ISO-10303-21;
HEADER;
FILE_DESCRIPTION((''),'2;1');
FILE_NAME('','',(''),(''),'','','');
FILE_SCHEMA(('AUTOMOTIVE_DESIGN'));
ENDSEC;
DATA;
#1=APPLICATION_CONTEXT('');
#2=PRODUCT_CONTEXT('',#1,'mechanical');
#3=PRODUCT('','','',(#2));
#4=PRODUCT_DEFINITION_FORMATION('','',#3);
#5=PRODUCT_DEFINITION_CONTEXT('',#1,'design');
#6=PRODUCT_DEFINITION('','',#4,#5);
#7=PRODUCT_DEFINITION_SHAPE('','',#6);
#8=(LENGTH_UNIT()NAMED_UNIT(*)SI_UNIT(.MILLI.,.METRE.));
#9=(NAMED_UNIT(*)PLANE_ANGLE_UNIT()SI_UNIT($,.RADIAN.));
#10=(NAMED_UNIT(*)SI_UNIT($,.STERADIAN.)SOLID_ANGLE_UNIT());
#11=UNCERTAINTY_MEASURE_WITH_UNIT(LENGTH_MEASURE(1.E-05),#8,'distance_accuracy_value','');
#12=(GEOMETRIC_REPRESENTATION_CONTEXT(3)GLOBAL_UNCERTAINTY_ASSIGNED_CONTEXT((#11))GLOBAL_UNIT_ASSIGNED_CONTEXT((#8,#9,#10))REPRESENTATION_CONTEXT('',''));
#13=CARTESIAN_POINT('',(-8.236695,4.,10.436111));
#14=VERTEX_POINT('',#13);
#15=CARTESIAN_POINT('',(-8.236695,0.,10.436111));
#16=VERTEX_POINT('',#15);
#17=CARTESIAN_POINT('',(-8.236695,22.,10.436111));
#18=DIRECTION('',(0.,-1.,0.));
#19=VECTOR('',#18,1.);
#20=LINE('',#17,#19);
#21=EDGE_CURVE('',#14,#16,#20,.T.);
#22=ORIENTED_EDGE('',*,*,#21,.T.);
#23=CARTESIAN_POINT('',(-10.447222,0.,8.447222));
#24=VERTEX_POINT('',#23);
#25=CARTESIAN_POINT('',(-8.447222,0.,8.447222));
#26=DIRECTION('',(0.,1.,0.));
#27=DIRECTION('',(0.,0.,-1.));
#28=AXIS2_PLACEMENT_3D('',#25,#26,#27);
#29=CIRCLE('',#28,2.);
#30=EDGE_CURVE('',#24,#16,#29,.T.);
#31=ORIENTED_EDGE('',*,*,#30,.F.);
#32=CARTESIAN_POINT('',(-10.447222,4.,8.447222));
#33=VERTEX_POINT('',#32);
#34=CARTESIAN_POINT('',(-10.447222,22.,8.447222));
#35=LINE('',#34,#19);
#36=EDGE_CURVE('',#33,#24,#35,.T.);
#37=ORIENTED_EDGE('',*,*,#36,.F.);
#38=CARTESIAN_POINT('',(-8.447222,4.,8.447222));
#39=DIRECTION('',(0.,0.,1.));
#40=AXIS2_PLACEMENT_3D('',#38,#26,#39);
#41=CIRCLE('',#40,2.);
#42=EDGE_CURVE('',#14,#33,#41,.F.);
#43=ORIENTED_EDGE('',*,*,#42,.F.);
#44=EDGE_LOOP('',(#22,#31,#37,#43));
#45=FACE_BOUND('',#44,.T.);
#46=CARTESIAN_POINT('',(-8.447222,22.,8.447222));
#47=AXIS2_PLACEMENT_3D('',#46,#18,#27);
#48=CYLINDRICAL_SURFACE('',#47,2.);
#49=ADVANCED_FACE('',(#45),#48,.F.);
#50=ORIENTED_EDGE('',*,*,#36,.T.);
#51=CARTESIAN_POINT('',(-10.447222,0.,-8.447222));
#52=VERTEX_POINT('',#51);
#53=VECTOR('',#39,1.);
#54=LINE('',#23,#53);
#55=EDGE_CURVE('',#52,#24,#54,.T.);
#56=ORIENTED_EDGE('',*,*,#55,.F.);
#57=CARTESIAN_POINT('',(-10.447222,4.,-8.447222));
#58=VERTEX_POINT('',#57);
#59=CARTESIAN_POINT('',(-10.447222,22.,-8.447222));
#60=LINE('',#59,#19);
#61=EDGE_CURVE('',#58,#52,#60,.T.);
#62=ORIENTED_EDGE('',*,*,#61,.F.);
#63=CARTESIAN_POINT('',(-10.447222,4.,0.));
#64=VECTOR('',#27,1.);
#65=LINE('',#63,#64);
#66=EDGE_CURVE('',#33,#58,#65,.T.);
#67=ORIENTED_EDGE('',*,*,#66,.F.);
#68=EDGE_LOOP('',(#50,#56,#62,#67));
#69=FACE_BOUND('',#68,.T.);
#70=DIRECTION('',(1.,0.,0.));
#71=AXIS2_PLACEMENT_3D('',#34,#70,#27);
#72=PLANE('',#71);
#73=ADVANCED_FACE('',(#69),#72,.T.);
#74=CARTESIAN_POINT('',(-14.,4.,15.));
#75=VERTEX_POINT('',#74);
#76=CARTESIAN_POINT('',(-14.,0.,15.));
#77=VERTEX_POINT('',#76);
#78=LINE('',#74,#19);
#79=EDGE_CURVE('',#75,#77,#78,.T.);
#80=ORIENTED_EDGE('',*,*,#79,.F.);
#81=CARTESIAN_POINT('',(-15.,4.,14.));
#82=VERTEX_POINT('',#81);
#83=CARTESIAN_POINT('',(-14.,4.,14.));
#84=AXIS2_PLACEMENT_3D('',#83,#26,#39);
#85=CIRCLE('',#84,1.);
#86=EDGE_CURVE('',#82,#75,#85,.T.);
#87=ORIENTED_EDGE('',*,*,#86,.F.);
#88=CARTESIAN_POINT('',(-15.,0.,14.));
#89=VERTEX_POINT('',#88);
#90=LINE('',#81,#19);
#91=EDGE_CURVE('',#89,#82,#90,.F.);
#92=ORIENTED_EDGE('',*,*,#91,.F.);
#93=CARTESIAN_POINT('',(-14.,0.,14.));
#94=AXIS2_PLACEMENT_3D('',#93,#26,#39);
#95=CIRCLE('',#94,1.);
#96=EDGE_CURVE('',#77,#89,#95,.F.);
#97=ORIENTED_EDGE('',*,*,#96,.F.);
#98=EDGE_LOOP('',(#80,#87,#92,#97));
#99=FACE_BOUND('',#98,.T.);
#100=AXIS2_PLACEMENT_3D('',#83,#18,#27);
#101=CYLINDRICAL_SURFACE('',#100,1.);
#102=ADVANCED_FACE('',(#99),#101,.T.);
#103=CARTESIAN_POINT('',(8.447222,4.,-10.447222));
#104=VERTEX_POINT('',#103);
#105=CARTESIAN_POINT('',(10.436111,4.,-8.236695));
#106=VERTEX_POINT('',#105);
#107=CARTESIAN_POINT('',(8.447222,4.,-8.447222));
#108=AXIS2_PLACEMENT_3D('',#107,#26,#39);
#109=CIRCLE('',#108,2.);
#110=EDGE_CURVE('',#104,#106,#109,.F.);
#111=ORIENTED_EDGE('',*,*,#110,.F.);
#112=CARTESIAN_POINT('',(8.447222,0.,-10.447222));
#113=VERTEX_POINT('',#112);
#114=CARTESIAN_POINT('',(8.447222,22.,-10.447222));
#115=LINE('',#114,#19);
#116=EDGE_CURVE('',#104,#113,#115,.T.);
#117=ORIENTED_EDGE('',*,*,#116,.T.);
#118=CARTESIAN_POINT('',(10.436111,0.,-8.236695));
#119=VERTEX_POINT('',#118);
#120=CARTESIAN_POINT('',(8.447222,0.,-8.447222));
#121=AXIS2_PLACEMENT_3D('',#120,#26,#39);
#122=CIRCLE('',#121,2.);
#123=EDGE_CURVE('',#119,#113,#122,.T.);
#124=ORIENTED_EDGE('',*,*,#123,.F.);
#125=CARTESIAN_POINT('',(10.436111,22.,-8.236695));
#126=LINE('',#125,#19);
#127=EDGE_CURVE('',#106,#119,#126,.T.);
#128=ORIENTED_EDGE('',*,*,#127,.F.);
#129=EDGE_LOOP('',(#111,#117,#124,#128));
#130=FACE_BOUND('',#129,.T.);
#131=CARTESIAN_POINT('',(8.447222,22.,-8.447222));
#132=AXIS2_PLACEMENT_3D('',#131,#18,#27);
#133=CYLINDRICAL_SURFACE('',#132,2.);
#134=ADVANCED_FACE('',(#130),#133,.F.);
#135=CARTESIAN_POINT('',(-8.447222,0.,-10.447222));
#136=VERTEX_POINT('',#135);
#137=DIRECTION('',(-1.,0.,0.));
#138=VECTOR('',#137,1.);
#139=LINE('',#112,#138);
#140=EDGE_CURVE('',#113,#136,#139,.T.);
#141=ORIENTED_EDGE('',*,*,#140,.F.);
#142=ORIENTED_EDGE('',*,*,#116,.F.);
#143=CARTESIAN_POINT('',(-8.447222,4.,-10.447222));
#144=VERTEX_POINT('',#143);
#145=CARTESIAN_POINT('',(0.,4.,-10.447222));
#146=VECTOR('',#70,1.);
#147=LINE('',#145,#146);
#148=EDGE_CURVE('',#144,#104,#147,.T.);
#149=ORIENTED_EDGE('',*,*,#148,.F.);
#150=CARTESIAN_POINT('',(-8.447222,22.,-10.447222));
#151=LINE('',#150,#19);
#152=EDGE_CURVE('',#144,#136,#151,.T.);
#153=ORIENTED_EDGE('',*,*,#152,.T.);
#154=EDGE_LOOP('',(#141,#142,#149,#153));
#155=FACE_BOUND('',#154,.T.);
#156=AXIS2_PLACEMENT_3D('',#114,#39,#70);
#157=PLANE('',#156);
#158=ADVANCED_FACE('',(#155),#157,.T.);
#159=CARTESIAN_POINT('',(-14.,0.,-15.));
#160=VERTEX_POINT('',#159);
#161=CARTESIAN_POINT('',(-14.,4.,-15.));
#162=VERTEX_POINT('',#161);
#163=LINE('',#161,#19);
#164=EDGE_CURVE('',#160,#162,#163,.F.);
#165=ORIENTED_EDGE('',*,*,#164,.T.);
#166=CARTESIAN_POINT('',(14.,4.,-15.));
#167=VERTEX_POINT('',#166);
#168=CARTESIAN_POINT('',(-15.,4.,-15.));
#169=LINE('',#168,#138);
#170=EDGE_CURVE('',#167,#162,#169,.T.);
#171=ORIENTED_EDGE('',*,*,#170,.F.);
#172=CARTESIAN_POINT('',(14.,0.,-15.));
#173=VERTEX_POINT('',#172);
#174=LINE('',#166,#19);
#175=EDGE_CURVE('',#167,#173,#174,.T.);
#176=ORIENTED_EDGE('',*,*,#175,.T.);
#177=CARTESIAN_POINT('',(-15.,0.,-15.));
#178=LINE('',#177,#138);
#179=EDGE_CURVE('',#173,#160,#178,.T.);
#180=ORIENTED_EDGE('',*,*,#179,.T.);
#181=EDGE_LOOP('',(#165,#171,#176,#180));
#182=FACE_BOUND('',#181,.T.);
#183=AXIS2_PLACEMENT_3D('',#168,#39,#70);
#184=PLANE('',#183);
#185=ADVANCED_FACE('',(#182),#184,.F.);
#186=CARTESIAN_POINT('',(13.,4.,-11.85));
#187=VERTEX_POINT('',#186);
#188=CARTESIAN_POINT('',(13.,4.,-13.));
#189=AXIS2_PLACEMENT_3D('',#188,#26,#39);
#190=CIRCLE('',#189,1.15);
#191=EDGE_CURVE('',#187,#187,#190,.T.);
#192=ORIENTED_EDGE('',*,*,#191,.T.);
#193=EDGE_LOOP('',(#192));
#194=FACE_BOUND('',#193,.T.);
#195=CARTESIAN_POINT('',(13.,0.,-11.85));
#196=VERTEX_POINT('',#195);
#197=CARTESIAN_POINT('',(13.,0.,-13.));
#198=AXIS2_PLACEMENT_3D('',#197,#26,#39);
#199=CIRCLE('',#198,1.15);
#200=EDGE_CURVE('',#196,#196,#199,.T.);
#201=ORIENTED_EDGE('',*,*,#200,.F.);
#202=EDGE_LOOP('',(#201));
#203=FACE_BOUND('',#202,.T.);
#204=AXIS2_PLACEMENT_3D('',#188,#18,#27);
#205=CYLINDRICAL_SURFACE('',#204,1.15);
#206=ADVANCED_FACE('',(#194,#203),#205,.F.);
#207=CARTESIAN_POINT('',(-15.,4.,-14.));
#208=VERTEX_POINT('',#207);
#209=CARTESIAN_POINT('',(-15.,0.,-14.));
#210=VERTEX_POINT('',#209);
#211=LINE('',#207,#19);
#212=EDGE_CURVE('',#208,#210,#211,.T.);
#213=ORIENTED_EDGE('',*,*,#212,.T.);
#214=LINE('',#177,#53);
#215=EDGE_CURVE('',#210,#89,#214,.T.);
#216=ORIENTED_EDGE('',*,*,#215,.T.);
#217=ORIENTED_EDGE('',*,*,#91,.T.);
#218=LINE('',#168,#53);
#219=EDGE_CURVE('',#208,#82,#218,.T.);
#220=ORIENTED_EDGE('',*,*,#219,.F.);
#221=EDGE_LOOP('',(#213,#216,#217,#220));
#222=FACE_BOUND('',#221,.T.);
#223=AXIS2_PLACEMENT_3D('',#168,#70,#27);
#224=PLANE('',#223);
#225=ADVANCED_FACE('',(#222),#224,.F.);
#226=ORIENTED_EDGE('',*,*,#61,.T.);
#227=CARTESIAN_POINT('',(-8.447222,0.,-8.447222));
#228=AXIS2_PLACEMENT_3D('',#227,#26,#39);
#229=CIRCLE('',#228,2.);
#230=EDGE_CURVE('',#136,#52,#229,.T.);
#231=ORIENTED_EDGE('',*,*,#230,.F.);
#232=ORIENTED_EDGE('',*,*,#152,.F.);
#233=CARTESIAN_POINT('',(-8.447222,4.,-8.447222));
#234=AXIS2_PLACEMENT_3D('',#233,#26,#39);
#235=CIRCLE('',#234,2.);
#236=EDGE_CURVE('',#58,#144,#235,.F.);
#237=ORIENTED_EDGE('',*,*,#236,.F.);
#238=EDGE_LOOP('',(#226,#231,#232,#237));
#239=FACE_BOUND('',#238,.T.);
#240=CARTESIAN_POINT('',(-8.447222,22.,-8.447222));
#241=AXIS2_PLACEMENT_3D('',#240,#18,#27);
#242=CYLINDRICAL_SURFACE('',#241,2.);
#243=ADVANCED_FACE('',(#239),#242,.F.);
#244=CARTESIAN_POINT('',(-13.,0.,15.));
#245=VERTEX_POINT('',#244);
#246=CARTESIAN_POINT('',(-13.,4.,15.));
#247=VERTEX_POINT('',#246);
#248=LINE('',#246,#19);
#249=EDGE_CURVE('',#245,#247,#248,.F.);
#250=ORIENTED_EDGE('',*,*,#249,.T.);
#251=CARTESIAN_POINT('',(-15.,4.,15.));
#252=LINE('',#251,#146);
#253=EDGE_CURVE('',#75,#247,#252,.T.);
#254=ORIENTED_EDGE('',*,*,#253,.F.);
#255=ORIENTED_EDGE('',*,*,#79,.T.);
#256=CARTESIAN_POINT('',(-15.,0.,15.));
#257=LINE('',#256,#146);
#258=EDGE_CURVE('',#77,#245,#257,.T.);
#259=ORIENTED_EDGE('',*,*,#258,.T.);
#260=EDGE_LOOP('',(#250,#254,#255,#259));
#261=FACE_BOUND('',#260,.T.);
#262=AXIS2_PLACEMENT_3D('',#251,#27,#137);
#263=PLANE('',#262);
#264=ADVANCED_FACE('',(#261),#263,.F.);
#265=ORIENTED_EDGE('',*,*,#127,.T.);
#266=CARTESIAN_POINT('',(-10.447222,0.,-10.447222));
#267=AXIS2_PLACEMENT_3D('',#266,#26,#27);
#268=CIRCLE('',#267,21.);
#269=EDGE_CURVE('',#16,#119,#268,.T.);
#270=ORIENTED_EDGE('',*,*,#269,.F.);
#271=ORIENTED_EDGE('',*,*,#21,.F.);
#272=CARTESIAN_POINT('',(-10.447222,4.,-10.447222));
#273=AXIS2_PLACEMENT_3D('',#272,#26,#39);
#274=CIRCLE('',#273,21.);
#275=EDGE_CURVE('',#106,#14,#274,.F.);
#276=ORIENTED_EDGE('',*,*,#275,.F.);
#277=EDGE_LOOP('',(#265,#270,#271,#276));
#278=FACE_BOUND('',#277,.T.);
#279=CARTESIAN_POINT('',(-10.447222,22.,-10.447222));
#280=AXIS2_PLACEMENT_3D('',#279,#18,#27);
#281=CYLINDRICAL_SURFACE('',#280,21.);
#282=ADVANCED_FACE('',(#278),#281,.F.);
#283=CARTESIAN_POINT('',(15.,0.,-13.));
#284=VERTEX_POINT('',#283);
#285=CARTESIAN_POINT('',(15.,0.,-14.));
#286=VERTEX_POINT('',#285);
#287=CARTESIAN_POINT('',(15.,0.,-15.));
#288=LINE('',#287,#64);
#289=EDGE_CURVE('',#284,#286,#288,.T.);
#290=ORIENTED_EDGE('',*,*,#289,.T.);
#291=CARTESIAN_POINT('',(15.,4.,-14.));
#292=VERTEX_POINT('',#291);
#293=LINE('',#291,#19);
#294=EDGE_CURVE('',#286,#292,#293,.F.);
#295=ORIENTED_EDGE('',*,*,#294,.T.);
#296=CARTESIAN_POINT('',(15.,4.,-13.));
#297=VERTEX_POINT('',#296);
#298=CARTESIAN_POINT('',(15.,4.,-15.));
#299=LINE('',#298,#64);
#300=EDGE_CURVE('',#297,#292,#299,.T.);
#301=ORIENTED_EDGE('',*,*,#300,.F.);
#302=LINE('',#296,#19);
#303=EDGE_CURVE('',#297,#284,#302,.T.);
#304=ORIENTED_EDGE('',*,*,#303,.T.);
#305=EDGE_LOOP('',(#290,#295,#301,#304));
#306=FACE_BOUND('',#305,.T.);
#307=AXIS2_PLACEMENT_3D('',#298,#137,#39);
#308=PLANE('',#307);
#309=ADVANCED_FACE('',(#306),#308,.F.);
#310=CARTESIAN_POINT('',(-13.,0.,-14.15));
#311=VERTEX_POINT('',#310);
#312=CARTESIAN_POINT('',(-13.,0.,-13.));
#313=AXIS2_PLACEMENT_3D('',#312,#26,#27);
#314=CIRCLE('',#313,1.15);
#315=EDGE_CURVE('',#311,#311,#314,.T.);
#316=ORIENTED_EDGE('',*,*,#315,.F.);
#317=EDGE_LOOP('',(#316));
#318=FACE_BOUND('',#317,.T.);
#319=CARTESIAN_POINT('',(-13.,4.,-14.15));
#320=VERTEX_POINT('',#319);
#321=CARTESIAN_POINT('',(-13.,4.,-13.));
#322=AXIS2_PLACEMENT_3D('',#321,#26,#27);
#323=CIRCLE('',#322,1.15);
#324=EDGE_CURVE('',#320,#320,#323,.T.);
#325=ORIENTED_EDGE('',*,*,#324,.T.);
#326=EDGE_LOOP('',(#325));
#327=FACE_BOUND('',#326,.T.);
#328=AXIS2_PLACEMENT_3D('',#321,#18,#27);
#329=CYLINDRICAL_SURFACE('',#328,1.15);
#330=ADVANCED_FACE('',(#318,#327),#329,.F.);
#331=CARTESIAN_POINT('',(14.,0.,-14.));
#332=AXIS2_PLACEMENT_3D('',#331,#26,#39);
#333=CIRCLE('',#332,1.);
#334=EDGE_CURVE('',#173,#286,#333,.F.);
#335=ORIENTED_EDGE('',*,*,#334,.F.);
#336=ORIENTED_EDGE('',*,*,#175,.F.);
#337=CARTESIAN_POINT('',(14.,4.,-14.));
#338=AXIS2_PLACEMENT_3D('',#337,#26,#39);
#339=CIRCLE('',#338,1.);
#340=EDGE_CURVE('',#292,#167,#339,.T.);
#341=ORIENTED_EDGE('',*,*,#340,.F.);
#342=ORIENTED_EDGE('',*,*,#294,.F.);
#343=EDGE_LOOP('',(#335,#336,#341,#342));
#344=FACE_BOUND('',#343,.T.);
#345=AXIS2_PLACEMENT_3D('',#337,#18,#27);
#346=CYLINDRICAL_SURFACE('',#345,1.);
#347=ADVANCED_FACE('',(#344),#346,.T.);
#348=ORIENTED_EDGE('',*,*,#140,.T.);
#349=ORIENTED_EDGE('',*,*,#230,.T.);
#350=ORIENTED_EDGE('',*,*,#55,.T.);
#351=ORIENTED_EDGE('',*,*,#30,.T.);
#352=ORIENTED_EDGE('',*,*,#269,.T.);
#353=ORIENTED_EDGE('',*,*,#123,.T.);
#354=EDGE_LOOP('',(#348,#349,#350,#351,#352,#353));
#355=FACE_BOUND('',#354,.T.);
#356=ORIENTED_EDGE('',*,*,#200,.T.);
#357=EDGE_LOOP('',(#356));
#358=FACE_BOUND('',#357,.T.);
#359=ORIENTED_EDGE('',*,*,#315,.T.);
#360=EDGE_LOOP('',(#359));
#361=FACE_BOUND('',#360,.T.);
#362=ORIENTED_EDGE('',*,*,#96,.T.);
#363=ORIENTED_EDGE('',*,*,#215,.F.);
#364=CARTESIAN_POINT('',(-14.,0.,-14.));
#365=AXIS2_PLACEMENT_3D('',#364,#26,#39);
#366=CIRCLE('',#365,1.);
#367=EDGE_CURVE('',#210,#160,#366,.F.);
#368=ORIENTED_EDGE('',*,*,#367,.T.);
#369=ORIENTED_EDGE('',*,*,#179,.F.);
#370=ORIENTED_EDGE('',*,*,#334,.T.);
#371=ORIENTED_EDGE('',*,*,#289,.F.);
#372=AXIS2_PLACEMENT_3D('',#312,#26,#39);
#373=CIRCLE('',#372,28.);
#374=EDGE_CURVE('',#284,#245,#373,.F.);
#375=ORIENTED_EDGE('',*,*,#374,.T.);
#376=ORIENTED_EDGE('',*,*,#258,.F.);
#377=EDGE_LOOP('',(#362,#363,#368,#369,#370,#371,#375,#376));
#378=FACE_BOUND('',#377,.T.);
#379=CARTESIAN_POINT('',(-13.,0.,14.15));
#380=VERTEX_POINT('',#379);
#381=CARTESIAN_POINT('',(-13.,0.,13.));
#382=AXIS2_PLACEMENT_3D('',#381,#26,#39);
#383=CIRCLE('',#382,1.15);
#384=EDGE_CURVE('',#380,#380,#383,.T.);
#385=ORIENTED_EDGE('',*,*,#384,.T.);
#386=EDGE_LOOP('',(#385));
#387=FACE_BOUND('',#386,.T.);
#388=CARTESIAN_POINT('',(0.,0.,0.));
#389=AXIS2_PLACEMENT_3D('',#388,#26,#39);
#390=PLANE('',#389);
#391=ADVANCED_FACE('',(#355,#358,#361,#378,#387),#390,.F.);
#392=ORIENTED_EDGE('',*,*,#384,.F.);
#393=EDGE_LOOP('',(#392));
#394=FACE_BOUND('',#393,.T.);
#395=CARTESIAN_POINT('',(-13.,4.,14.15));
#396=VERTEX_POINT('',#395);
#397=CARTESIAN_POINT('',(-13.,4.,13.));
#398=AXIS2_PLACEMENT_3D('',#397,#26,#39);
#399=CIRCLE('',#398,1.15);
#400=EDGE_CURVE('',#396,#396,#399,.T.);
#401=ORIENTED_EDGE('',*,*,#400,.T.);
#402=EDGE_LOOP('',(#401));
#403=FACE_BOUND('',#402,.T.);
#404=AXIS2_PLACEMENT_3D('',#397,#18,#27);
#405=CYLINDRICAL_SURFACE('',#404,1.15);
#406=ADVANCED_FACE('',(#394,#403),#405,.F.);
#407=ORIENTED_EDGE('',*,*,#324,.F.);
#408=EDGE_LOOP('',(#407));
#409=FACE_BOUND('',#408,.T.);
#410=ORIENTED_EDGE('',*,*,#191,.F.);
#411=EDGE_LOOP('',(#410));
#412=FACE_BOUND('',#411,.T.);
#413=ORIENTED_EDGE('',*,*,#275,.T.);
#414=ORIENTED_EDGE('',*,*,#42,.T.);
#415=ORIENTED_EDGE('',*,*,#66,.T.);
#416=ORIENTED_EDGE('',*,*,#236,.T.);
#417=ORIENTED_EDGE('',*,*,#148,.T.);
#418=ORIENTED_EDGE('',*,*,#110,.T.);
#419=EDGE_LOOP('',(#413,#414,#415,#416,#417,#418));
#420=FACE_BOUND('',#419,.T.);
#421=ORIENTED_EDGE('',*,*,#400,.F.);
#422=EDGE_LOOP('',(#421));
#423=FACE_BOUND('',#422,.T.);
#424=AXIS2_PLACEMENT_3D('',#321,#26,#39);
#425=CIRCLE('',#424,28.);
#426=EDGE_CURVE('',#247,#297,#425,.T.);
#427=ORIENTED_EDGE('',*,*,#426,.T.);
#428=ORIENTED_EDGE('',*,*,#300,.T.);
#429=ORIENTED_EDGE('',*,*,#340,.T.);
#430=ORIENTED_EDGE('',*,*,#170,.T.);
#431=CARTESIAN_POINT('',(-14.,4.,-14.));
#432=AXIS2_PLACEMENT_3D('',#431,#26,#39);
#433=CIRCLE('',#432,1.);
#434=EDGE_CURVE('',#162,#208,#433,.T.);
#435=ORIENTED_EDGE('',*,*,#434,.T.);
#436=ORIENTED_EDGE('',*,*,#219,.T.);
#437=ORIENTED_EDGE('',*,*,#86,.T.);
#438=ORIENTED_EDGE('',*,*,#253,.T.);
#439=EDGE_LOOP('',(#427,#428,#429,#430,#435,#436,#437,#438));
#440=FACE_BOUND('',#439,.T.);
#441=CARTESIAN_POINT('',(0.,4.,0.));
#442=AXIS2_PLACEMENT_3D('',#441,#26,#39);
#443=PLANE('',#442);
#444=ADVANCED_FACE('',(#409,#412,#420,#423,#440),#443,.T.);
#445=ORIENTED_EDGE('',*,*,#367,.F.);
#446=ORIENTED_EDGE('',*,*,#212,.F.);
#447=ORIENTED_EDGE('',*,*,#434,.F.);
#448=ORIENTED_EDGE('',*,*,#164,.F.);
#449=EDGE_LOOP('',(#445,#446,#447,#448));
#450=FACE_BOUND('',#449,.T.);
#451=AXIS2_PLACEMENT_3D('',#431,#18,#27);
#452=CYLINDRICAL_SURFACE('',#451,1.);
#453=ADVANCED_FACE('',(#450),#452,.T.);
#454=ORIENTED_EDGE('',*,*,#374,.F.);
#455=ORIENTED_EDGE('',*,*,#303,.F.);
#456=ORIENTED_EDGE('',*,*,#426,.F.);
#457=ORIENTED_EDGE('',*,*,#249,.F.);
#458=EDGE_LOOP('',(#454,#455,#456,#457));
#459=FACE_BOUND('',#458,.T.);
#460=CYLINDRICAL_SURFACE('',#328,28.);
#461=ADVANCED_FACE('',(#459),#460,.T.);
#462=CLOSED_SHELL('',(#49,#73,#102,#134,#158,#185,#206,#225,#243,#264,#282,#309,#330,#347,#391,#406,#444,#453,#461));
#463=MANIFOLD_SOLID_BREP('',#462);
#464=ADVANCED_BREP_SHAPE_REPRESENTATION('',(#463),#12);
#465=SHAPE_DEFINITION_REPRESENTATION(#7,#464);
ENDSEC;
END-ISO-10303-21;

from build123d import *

# Parameters (mm, degrees)
SKETCH_1_W          = 30
SKETCH_1_H          = 30
SKETCH_1_R          = 1.15
EXTRUDE_1_DEPTH     = 4
FILLET_1_R          = 28
FILLET_2_R          = 1
CUT_EXTRUDE_3_DEPTH = 22


with BuildPart() as part:
    # 草图1 → 凸台-拉伸1 (new body)
    with BuildSketch(Plane(origin=(0, 0, 0), x_dir=(1, 0, 0), z_dir=(0, 1, 0))):
        Rectangle(SKETCH_1_W, SKETCH_1_H)
        with Locations(Location((13, 13, 0), (0, 0, 270))):
            Circle(SKETCH_1_R, mode=Mode.SUBTRACT)
        with Locations(Location((13, -13, 0), (0, 0, 90))):
            Circle(SKETCH_1_R, mode=Mode.SUBTRACT)
        with Locations(Location((-13, -13, 0), (0, 0, 270))):
            Circle(SKETCH_1_R, mode=Mode.SUBTRACT)
        with Locations(Location((-13, 13, 0), (0, 0, 90))):
            Circle(SKETCH_1_R, mode=Mode.SUBTRACT)
    extrude(amount=EXTRUDE_1_DEPTH)

    # 圆角1
    fillet_1_edges = [part.edges().sort_by_distance(p)[0] for p in [
        (15, 2, 15),
    ]]
    fillet(fillet_1_edges, radius=FILLET_1_R)

    # 圆角2
    fillet_2_edges = [part.edges().sort_by_distance(p)[0] for p in [
        (-15, 2, 15),
        (-15, 2, -15),
        (15, 2, -15),
    ]]
    fillet(fillet_2_edges, radius=FILLET_2_R)

    # 草图2 → 切除-拉伸3 (cut)
    with BuildSketch(Plane(origin=(0, 0, 0), x_dir=(1, 0, 0), z_dir=(0, 1, 0))):
        with BuildLine():
            Line((8.447221814, 10.447221814), (-8.447221814, 10.447221814))
            ThreePointArc((-8.447221814, 10.447221814), (-9.861435376, 9.861435376), (-10.447221814, 8.447221814))
            Line((-10.447221814, 8.447221814), (-10.447221814, -8.447221814))
            ThreePointArc((-10.447221814, -8.447221814), (-9.784933922, -9.934005697), (-8.236695498, -10.436110617))
            ThreePointArc((-8.236695498, -10.436110617), (4.402020591, -4.402020591), (10.436110617, 8.236695498))
            ThreePointArc((10.436110617, 8.236695498), (9.934005697, 9.784933922), (8.447221814, 10.447221814))
        make_face()
    extrude(amount=CUT_EXTRUDE_3_DEPTH, mode=Mode.SUBTRACT)


solid = part.part
